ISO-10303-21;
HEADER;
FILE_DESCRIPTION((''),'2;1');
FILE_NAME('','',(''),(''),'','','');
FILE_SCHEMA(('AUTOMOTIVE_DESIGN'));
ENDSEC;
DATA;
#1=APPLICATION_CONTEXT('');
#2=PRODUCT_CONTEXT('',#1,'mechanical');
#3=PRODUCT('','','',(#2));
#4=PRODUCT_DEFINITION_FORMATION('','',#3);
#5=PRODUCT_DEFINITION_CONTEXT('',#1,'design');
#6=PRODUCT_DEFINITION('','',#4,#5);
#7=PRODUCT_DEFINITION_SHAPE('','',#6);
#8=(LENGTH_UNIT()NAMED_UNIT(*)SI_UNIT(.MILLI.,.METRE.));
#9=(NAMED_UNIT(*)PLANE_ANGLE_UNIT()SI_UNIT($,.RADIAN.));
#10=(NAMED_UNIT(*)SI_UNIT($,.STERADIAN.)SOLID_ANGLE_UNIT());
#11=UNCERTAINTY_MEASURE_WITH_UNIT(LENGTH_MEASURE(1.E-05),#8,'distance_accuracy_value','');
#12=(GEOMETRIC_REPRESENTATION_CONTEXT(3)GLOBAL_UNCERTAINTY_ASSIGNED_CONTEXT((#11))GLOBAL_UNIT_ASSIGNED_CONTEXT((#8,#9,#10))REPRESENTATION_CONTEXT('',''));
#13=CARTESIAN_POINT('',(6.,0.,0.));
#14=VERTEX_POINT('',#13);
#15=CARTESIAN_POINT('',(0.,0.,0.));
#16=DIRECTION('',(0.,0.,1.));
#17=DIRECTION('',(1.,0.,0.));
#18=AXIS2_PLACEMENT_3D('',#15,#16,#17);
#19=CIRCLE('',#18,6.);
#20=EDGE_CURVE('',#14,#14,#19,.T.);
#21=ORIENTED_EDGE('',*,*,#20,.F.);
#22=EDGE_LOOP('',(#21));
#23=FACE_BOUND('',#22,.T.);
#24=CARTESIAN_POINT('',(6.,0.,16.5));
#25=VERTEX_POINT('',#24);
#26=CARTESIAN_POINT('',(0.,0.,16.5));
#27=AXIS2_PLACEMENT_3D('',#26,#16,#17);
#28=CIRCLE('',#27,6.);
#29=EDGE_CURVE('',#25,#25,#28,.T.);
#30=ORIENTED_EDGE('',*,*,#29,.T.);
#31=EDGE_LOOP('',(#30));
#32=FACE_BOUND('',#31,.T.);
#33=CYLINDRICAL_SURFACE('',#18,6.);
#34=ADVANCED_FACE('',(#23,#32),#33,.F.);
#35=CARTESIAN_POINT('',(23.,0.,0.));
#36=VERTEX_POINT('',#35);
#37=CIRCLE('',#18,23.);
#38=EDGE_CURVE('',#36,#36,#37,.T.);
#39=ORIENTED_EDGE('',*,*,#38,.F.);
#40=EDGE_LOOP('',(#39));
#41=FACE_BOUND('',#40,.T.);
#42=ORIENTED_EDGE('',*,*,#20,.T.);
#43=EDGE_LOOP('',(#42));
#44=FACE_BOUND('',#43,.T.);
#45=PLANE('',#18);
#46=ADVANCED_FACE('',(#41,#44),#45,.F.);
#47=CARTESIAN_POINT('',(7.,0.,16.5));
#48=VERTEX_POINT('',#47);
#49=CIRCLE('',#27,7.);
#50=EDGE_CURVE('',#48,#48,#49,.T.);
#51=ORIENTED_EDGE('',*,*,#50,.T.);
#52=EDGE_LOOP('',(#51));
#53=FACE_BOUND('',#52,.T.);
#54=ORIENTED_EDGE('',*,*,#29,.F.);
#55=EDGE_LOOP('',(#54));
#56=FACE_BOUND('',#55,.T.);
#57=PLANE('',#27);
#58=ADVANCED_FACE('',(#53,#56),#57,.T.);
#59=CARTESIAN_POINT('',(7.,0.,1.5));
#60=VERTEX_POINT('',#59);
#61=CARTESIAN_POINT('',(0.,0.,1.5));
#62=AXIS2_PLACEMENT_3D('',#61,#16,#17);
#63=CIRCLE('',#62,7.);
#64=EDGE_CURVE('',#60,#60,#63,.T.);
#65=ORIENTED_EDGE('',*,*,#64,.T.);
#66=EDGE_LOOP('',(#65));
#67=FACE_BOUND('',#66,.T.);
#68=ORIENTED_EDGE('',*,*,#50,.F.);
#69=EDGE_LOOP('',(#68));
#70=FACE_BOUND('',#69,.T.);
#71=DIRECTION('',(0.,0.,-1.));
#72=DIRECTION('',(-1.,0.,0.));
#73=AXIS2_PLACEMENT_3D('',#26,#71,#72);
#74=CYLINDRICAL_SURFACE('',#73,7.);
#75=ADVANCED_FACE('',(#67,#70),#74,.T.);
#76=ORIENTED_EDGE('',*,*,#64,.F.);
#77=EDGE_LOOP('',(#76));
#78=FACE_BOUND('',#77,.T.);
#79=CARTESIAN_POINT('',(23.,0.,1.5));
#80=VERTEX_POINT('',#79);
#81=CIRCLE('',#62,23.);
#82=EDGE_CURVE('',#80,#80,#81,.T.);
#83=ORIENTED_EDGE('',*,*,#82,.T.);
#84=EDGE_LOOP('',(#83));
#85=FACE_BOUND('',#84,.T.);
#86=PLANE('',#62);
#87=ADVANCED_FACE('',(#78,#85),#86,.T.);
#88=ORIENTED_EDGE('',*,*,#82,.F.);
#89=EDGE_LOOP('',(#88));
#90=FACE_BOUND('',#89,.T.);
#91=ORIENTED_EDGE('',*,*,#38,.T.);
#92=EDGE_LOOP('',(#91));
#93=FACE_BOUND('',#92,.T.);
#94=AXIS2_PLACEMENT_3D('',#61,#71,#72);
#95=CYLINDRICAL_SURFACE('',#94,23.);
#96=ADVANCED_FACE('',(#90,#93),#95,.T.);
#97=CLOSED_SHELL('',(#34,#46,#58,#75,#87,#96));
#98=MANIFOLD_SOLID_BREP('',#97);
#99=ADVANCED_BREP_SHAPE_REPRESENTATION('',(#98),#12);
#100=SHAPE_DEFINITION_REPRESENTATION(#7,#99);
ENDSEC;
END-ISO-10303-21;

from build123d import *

# Parameters (mm, degrees)
SKETCH1_R               = 23
BOSS_EXTRUDE1_DEPTH     = 1.5
SKETCH2_R               = 7
BOSS_EXTRUDE2_DEPTH     = 15
CUT_EXTRUDE1_DEPTH      = 37.47259245
CUT_EXTRUDE1_DEPTH_BACK = 37.47259245
SKETCH3_R               = 6


with BuildPart() as part:
    # Sketch1 → Boss-Extrude1 (new body)
    with BuildSketch(Plane.XY):
        Circle(SKETCH1_R)
    extrude(amount=BOSS_EXTRUDE1_DEPTH)

    # Sketch2 → Boss-Extrude2 (add)
    with BuildSketch(Plane.XY.offset(1.5)):
        Circle(SKETCH2_R)
    extrude(amount=BOSS_EXTRUDE2_DEPTH)

    # Sketch3 → Cut-Extrude1 (cut, two sides: drawn at the far end of the back side and taken through both)
    with BuildSketch(Plane.XY.offset(16.5).offset(-CUT_EXTRUDE1_DEPTH_BACK)):
        Circle(SKETCH3_R)
    extrude(amount=CUT_EXTRUDE1_DEPTH + CUT_EXTRUDE1_DEPTH_BACK, mode=Mode.SUBTRACT)


solid = part.part
